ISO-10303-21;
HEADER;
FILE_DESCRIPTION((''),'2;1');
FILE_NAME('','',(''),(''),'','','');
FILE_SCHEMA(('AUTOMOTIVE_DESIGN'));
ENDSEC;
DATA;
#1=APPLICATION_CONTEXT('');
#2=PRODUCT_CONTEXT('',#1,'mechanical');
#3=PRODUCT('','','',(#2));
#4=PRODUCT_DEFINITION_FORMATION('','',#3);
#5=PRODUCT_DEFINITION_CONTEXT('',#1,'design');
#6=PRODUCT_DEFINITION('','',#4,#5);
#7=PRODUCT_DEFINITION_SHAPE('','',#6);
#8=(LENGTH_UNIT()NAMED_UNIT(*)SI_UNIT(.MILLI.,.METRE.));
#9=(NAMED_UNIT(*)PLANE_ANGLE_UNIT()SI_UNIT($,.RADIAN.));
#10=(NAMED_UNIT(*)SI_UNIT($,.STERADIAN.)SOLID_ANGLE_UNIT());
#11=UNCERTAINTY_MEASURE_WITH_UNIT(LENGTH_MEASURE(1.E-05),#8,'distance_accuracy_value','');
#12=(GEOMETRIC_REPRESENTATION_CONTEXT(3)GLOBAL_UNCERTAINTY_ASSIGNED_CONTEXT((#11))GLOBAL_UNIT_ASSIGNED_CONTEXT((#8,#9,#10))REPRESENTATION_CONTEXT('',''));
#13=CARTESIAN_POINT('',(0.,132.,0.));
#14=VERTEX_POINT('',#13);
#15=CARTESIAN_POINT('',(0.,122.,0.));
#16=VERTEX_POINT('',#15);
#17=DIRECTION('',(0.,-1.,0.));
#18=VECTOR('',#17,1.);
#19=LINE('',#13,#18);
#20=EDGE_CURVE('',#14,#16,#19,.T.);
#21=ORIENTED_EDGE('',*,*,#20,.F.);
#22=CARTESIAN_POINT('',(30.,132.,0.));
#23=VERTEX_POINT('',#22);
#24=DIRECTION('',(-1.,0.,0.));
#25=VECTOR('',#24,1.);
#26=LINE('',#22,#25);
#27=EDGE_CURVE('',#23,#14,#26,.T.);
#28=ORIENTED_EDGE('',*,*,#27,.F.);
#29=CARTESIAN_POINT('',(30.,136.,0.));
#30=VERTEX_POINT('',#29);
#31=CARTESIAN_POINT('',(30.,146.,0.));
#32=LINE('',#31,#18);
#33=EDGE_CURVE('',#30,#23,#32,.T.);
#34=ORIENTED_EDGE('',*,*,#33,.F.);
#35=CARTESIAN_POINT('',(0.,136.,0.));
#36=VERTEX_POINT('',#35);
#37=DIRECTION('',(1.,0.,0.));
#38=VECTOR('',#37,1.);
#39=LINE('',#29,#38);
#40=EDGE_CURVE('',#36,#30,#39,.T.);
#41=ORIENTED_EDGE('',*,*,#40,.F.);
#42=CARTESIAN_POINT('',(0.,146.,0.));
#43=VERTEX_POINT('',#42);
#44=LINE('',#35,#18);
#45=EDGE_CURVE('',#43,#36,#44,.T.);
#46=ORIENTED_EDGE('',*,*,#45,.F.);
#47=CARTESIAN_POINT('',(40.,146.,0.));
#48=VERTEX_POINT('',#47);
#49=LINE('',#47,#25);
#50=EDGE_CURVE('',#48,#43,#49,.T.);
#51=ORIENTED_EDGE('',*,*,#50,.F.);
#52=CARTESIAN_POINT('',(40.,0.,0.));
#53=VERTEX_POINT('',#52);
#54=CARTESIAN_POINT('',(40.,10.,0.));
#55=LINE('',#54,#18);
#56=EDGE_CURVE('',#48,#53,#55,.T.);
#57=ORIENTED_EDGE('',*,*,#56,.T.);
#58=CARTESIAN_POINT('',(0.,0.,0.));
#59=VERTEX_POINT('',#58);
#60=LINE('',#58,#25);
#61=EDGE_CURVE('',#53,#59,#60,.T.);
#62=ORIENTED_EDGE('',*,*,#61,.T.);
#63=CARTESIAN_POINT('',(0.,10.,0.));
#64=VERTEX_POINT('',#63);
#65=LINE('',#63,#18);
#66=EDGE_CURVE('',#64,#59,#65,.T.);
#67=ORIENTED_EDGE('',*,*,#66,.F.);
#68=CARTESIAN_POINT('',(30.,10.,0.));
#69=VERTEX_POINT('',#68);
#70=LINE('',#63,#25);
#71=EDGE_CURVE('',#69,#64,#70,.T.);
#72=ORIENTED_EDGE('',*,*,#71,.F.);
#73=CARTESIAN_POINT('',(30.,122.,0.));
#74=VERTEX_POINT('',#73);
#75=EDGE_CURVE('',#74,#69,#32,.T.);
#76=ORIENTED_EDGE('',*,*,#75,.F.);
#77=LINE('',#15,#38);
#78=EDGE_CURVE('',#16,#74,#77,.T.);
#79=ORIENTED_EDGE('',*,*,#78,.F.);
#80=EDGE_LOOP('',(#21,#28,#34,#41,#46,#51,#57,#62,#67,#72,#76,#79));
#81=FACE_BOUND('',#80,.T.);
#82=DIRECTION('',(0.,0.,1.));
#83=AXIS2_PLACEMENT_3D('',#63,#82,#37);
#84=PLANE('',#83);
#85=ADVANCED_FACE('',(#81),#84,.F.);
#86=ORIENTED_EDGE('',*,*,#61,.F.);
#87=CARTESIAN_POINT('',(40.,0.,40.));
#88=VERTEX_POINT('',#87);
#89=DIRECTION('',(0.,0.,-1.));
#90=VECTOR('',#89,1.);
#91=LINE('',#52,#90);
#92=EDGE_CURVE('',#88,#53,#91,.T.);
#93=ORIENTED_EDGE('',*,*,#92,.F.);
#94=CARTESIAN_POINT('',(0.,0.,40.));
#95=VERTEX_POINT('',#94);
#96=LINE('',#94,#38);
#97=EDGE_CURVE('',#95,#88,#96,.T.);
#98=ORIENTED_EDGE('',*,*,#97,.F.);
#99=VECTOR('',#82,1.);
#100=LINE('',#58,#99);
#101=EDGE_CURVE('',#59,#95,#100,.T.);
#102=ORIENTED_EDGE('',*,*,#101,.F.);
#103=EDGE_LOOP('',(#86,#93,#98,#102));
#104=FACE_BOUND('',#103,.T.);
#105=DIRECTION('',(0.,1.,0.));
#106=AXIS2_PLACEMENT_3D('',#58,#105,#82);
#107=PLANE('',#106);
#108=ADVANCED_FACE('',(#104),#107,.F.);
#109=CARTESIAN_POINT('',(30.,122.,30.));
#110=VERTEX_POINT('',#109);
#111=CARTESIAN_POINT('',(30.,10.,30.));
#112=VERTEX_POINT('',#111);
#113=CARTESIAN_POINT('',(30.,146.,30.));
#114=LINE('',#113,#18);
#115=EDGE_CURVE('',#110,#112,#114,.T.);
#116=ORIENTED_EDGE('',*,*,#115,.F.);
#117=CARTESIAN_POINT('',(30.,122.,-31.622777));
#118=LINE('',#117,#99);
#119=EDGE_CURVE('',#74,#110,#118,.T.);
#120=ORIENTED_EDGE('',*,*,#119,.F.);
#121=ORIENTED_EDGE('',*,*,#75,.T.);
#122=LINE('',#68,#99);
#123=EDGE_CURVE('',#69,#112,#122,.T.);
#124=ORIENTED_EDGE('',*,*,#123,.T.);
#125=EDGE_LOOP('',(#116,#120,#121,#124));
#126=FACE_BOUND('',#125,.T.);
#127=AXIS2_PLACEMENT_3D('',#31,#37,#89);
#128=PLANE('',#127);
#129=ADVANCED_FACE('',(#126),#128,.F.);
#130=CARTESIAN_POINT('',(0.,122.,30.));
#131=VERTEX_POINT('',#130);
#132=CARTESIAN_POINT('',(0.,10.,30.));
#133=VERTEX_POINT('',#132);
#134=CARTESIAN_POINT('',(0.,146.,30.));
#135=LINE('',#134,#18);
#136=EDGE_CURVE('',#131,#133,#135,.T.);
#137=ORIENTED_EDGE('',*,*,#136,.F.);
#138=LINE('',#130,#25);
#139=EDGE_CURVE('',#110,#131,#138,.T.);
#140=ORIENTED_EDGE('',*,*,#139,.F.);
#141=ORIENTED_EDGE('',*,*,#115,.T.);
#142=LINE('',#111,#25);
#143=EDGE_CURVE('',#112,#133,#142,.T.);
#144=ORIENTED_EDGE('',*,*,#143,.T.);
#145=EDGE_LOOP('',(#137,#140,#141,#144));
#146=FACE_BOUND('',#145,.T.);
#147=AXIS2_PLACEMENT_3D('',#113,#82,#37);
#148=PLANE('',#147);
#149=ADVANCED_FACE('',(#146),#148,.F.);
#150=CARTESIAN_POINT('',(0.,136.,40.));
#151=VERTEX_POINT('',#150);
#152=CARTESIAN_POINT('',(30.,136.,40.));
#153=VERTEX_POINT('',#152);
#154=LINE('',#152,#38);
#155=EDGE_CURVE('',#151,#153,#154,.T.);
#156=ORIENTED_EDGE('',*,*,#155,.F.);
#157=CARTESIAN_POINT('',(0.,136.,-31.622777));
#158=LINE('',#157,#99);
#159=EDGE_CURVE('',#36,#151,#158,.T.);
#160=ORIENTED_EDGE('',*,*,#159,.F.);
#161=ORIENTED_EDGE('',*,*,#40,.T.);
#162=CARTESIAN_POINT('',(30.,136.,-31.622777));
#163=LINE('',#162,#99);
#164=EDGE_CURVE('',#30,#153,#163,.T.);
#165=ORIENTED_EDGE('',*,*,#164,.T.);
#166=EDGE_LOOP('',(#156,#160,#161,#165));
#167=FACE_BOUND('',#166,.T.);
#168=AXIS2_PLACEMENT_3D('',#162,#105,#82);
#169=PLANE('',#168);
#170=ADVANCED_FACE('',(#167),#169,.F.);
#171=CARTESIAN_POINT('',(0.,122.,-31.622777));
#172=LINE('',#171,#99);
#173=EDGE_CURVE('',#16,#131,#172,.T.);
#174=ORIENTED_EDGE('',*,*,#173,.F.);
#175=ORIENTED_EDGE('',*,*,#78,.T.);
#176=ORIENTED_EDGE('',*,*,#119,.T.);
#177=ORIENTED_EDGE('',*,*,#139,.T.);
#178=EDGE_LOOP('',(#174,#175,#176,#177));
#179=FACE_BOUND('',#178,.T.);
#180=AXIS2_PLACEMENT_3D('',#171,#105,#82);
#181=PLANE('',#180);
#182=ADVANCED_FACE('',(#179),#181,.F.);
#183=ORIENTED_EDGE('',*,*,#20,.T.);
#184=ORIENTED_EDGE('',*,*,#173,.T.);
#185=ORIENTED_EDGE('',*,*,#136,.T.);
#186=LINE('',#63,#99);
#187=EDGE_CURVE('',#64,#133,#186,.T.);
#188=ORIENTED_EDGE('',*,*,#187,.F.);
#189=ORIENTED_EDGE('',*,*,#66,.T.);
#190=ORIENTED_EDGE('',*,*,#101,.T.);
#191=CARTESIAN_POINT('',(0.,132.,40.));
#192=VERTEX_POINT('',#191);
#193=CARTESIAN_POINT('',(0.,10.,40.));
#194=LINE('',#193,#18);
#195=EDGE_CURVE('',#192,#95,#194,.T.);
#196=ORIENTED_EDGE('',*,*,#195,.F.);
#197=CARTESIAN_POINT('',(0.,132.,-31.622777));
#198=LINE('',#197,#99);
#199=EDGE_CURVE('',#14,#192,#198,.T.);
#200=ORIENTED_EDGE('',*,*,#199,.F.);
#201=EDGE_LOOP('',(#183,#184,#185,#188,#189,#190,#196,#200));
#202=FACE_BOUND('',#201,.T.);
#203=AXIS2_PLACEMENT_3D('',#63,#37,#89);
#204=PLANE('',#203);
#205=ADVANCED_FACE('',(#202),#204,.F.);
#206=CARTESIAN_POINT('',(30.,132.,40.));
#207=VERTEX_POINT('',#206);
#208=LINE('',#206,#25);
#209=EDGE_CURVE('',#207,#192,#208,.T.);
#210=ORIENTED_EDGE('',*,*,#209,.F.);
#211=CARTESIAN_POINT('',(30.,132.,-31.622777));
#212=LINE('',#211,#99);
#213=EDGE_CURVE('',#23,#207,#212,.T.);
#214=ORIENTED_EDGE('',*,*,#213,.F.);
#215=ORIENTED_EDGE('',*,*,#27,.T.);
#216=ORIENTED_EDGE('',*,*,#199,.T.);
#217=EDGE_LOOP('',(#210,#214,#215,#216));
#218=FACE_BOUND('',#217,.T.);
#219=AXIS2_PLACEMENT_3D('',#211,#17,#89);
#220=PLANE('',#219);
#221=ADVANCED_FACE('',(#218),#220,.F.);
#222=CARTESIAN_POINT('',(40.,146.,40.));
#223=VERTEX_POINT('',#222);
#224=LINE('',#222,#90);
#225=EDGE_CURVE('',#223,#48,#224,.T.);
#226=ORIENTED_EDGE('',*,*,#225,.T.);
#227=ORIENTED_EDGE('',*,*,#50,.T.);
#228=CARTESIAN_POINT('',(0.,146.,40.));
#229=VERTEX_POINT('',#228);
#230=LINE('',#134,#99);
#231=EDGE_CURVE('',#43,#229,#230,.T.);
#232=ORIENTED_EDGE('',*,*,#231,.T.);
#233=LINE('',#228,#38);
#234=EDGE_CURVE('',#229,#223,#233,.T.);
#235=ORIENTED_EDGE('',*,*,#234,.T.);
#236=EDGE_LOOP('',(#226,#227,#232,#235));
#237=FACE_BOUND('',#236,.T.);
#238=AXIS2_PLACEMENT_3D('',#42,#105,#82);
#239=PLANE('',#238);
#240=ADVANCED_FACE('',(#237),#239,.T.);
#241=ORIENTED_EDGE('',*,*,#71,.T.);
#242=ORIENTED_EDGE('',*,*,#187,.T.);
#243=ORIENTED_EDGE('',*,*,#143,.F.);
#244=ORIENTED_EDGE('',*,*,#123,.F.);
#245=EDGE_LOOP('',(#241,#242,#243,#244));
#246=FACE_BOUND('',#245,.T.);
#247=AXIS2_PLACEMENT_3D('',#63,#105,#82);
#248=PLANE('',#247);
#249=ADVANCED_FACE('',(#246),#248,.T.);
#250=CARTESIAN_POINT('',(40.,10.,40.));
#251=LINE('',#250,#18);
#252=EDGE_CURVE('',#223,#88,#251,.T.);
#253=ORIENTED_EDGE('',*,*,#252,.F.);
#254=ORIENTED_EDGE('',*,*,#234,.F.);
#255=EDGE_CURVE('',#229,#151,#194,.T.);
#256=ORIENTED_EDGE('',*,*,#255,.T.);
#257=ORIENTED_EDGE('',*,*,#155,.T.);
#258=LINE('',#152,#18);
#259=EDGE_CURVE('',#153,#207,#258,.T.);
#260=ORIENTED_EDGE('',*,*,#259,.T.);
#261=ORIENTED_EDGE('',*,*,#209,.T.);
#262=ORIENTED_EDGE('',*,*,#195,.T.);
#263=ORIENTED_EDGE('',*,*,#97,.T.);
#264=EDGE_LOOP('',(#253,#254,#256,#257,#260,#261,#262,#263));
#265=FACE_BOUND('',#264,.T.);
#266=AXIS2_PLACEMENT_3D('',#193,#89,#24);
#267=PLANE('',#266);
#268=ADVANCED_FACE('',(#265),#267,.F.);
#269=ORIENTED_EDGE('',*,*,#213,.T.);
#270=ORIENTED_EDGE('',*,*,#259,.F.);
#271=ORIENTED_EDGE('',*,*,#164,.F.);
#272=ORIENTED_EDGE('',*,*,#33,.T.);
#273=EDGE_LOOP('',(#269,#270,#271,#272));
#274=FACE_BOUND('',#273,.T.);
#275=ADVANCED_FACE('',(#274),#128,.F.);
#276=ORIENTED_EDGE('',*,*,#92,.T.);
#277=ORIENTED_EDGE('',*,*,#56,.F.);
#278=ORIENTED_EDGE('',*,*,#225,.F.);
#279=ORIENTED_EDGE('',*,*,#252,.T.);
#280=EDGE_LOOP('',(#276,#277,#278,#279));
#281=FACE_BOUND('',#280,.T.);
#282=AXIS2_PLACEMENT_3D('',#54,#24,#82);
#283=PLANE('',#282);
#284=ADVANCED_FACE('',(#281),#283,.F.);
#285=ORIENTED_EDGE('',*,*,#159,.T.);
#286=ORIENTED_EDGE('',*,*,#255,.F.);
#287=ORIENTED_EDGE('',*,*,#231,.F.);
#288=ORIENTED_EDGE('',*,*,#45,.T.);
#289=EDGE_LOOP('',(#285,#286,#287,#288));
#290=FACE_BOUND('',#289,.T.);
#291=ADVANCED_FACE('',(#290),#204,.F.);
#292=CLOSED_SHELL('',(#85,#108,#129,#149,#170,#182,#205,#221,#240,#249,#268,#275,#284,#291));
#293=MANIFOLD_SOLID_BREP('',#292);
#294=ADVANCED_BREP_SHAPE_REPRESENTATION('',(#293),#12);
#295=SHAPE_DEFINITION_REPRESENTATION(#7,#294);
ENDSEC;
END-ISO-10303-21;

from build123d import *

# Parameters (mm, degrees)
ESBO_O1_W                = 40
ESBO_O1_H                = 40
RESSALTO_EXTRUS_O1_DEPTH = 10
RESSALTO_EXTRUS_O2_DEPTH = 136
ESBO_O3_W                = 30
ESBO_O3_H                = 10
RESSALTO_EXTRUS_O3_DEPTH = 30
ESBO_O4_W                = 30
ESBO_O4_H                = 4
CORTE_EXTRUS_O1_DEPTH    = 11


with BuildPart() as part:
    # Esboço1 → Ressalto-extrusão1 (new body)
    with BuildSketch(Plane(origin=(0, 0, 0), x_dir=(1, 0, 0), z_dir=(0, 1, 0))):
        with Locations((20, -20)):
            Rectangle(ESBO_O1_W, ESBO_O1_H)
    extrude(amount=RESSALTO_EXTRUS_O1_DEPTH)

    # Esboço2 → Ressalto-extrusão2 (add)
    with BuildSketch(Plane(origin=(0, 10, 0), x_dir=(1, 0, 0), z_dir=(0, 1, 0))):
        Polygon((40, 0), (30, 0), (30, -30), (0, -30), (0, -40), (40, -40), align=None)
    extrude(amount=RESSALTO_EXTRUS_O2_DEPTH)

    # Esboço3 → Ressalto-extrusão3 (add)
    with BuildSketch(Plane(origin=(0, 0, 30), x_dir=(-1, 0, 0), z_dir=(0, 0, -1))):
        with Locations((-15, 141)):
            Rectangle(ESBO_O3_W, ESBO_O3_H)
        with Locations((-15, 127)):
            Rectangle(ESBO_O3_W, ESBO_O3_H)
    extrude(amount=RESSALTO_EXTRUS_O3_DEPTH)

    # Esboço4 → Corte-extrusão1 (cut, through all)
    with BuildSketch(Plane(origin=(0, 0, 30), x_dir=(-1, 0, 0), z_dir=(0, 0, -1))):
        with Locations((-15, 134)):
            Rectangle(ESBO_O4_W, ESBO_O4_H)
    extrude(amount=-CORTE_EXTRUS_O1_DEPTH, mode=Mode.SUBTRACT)


solid = part.part
